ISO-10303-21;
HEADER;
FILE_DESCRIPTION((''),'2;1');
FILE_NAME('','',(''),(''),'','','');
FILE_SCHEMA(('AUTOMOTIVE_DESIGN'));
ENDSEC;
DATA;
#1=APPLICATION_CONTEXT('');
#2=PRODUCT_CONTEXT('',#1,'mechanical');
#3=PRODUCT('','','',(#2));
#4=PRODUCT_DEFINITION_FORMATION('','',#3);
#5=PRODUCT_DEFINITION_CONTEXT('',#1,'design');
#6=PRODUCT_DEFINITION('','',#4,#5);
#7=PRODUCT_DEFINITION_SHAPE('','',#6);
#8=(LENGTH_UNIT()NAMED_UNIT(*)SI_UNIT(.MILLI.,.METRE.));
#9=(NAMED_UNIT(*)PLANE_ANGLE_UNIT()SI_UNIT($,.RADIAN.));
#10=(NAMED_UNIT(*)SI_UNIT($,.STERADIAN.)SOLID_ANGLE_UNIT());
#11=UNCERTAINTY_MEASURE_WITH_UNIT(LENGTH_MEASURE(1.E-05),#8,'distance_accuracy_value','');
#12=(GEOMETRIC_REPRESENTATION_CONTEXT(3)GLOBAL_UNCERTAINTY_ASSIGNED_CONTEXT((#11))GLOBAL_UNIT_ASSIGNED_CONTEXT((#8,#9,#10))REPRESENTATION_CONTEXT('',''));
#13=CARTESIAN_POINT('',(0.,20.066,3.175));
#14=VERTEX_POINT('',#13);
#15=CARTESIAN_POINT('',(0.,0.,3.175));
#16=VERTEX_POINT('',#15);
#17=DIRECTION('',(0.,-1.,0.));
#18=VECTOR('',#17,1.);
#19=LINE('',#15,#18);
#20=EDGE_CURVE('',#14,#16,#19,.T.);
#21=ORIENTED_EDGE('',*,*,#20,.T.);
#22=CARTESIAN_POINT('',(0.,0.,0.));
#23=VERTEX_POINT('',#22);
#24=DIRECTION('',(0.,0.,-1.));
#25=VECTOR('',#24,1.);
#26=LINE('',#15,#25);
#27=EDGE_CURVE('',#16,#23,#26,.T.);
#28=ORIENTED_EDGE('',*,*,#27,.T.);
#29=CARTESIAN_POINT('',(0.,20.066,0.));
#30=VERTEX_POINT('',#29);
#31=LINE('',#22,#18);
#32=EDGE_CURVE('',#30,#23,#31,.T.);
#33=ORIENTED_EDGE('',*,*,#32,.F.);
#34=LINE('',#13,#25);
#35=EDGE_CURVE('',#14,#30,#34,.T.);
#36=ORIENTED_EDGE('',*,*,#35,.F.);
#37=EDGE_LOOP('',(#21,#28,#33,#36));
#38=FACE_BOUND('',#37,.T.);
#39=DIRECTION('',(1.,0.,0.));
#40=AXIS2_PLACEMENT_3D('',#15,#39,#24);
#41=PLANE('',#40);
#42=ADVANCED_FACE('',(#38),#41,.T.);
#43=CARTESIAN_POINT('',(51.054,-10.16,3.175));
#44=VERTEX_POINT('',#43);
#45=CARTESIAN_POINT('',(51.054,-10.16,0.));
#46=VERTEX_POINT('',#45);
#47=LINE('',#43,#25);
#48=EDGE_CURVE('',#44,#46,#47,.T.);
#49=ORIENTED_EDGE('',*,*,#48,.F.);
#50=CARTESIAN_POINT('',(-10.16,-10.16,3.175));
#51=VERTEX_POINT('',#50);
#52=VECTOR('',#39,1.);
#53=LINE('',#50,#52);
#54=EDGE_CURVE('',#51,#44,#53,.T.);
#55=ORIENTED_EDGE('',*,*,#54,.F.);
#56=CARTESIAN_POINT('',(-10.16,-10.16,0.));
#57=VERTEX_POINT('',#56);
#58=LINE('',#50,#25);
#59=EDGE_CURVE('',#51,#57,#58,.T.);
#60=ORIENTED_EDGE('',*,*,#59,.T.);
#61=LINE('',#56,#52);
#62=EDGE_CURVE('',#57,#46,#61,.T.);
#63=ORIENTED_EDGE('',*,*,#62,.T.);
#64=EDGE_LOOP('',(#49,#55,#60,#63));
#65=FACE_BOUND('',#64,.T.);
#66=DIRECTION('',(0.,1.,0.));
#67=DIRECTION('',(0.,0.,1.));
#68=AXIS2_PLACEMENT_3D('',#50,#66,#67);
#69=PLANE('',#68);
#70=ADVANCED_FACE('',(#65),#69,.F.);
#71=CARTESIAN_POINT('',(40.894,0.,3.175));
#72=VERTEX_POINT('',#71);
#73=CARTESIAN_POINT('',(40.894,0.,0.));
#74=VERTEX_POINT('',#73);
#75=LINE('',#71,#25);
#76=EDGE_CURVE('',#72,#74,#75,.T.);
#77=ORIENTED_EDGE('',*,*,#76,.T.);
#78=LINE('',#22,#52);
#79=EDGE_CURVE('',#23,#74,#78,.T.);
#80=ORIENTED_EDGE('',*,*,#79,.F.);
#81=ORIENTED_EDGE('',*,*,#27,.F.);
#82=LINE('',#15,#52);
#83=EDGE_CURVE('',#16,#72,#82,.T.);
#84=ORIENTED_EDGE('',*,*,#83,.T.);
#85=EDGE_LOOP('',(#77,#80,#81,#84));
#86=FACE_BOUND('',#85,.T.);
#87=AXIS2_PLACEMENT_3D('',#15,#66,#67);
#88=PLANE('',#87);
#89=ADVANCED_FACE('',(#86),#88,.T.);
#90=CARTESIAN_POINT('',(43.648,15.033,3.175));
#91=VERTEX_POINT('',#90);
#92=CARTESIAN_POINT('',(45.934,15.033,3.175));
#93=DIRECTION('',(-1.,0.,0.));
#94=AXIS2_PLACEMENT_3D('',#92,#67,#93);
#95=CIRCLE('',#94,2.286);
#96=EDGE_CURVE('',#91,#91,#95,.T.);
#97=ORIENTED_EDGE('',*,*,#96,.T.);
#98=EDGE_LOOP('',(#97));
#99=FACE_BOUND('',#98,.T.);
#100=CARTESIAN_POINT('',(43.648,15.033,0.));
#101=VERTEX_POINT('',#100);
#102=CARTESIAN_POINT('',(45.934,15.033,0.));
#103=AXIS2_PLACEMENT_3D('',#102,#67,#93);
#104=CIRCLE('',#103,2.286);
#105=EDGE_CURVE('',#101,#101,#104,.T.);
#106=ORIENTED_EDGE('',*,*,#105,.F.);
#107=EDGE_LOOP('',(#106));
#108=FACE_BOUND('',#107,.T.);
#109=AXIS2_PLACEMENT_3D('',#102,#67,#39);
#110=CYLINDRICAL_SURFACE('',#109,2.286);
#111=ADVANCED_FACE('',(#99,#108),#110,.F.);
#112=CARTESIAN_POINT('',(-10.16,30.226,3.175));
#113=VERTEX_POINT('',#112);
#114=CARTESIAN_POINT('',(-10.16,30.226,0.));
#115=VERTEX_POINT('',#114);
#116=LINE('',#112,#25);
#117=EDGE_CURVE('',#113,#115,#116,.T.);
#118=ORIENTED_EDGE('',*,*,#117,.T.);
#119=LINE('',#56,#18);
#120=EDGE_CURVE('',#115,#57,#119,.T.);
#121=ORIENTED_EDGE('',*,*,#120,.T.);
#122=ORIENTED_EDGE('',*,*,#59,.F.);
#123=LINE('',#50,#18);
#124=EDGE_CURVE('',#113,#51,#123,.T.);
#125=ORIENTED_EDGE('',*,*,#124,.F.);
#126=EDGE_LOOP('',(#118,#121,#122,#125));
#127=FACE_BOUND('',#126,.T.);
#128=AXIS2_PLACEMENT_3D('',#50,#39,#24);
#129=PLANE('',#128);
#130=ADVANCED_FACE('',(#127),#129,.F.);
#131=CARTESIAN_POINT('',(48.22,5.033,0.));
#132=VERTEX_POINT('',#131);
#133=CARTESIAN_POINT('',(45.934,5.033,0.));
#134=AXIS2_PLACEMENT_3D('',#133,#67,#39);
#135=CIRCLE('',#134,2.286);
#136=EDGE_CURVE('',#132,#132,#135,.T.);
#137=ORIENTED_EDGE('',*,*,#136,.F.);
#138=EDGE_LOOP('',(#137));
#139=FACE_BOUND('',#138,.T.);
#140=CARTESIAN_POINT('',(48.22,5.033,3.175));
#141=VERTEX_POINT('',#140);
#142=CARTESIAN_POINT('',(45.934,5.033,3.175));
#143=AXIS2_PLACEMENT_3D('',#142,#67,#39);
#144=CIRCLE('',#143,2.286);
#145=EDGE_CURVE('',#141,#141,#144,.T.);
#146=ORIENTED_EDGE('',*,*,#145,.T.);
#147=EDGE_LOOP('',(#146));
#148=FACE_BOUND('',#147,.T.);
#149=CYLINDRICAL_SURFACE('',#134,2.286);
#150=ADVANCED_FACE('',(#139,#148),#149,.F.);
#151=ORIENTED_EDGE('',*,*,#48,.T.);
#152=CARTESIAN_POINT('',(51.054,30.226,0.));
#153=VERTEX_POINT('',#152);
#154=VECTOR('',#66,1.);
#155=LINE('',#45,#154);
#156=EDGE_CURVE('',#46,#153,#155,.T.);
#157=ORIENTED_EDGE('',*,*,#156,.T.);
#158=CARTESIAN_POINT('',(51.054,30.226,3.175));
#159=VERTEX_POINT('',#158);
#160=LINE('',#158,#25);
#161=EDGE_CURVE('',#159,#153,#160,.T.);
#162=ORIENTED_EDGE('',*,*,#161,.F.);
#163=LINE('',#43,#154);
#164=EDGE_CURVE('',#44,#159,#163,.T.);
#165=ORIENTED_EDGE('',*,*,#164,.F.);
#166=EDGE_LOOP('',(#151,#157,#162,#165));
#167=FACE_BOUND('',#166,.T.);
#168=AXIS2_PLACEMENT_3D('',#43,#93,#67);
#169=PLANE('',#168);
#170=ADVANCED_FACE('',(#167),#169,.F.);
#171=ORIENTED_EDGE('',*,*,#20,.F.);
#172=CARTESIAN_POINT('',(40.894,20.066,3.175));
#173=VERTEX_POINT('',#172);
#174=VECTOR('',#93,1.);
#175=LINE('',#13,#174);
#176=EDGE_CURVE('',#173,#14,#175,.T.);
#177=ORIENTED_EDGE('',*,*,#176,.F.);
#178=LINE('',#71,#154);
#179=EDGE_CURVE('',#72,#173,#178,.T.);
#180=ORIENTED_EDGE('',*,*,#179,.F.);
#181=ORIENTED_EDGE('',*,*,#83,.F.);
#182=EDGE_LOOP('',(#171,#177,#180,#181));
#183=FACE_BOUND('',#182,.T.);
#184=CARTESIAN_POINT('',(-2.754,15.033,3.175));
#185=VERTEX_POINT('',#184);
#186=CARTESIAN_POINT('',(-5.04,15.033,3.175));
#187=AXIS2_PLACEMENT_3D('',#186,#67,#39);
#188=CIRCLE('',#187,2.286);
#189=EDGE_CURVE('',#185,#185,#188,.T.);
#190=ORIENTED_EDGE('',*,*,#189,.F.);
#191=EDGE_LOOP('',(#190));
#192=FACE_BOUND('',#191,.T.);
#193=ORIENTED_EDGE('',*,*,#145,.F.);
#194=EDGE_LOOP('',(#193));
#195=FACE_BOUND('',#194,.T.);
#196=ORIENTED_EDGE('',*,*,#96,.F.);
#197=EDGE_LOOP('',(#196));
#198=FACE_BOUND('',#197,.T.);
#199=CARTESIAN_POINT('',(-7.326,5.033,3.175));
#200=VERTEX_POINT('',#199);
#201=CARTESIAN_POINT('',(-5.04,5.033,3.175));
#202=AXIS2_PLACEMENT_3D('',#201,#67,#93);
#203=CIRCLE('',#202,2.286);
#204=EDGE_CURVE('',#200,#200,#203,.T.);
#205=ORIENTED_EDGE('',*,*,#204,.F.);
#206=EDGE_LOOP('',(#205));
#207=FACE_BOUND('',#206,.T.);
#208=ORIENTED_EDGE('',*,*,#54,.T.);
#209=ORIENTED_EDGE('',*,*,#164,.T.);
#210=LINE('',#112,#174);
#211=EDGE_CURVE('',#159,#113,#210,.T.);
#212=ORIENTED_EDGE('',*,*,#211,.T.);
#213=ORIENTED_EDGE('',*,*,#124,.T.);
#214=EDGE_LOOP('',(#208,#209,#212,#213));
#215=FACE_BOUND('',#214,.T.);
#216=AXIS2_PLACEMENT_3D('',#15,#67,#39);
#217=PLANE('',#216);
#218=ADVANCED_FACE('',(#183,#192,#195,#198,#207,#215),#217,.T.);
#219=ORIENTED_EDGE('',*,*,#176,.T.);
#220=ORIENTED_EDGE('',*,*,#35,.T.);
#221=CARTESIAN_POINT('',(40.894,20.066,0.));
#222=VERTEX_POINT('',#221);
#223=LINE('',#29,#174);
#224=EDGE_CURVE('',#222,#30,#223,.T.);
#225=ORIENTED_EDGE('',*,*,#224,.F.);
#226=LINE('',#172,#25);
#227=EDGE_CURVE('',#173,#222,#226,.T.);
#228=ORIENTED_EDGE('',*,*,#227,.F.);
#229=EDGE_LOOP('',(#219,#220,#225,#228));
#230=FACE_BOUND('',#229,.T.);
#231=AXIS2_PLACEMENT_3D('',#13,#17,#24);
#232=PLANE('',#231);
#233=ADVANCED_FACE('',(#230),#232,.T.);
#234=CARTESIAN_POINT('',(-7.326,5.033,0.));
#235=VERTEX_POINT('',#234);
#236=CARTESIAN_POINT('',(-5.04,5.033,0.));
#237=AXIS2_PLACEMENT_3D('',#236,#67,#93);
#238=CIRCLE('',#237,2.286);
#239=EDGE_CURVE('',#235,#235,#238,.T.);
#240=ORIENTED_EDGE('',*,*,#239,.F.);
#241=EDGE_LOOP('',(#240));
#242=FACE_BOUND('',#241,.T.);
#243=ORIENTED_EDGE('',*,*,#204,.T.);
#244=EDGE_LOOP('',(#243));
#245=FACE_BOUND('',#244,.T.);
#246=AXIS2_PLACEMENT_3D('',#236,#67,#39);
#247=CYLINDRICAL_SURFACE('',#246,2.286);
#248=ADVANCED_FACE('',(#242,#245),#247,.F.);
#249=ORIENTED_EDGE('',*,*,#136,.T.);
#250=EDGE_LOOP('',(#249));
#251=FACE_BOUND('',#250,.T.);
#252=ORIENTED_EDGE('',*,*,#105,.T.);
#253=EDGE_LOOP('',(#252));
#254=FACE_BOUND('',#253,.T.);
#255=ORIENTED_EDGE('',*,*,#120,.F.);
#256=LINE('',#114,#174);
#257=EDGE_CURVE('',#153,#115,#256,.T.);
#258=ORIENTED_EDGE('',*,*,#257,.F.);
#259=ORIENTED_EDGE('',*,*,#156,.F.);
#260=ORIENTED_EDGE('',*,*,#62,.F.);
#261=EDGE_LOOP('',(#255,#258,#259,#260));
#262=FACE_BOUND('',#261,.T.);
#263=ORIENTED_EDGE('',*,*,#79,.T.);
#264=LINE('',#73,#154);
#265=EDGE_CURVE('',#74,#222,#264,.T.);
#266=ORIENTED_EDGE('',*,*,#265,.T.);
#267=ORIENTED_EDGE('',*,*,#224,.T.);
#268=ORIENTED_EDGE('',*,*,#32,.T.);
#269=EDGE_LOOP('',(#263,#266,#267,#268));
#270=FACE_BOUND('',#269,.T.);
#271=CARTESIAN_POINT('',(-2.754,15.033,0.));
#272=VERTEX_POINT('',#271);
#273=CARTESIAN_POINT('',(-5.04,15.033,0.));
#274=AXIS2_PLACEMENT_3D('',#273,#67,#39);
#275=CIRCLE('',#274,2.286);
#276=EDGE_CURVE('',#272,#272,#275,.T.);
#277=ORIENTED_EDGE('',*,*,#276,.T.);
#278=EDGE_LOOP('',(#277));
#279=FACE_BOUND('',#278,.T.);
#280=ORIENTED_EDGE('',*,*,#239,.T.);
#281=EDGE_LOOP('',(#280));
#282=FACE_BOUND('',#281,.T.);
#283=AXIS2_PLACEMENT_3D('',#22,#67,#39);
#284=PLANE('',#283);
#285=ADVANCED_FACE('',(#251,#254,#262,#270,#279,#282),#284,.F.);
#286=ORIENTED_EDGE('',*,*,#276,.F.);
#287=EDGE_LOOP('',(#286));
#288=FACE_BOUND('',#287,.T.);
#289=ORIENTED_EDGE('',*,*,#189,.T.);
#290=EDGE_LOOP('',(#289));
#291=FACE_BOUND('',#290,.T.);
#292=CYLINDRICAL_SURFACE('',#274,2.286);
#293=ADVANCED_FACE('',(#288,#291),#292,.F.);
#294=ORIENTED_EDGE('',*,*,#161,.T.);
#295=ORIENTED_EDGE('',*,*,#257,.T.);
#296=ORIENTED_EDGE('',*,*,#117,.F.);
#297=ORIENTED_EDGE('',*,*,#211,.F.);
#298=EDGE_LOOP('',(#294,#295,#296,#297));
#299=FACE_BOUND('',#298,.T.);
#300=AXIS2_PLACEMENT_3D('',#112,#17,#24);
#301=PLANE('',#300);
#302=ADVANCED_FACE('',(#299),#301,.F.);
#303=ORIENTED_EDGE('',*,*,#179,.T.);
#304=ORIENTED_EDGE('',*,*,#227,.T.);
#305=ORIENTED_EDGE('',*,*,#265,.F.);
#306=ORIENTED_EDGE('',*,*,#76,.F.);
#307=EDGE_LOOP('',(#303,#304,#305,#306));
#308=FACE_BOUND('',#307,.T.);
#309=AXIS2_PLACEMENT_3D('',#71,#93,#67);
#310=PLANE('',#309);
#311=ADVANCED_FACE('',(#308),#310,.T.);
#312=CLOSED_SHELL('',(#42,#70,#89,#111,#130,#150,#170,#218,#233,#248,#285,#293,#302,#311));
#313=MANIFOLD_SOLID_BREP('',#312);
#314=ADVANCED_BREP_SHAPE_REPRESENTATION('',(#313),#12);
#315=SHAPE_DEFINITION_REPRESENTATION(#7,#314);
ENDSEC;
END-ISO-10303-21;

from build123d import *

# Parameters (mm, degrees)
SKETCH1_W           = 61.214
SKETCH1_H           = 40.386
SKETCH1_W_2         = 40.894
SKETCH1_H_2         = 20.066
BOSS_EXTRUDE1_DEPTH = 3.175
SKETCH2_R           = 2.286
CUT_EXTRUDE1_DEPTH  = 4.175


with BuildPart() as part:
    # Sketch1 → Boss-Extrude1 (new body)
    with BuildSketch(Plane.XY):
        with Locations((20.447, 10.033)):
            Rectangle(SKETCH1_W, SKETCH1_H)
        with Locations((20.447, 10.033)):
            Rectangle(SKETCH1_W_2, SKETCH1_H_2, mode=Mode.SUBTRACT)
    extrude(amount=BOSS_EXTRUDE1_DEPTH)

    # Sketch2 → Cut-Extrude1 (cut, through all)
    with BuildSketch(Plane.XY.offset(3.175)):
        with Locations((-5.04, 15.033)):
            Circle(SKETCH2_R)
        with Locations((-5.04, 5.033)):
            Circle(SKETCH2_R)
        with Locations((45.934, 5.033)):
            Circle(SKETCH2_R)
        with Locations((45.934, 15.033)):
            Circle(SKETCH2_R)
    extrude(amount=-CUT_EXTRUDE1_DEPTH, mode=Mode.SUBTRACT)


solid = part.part
